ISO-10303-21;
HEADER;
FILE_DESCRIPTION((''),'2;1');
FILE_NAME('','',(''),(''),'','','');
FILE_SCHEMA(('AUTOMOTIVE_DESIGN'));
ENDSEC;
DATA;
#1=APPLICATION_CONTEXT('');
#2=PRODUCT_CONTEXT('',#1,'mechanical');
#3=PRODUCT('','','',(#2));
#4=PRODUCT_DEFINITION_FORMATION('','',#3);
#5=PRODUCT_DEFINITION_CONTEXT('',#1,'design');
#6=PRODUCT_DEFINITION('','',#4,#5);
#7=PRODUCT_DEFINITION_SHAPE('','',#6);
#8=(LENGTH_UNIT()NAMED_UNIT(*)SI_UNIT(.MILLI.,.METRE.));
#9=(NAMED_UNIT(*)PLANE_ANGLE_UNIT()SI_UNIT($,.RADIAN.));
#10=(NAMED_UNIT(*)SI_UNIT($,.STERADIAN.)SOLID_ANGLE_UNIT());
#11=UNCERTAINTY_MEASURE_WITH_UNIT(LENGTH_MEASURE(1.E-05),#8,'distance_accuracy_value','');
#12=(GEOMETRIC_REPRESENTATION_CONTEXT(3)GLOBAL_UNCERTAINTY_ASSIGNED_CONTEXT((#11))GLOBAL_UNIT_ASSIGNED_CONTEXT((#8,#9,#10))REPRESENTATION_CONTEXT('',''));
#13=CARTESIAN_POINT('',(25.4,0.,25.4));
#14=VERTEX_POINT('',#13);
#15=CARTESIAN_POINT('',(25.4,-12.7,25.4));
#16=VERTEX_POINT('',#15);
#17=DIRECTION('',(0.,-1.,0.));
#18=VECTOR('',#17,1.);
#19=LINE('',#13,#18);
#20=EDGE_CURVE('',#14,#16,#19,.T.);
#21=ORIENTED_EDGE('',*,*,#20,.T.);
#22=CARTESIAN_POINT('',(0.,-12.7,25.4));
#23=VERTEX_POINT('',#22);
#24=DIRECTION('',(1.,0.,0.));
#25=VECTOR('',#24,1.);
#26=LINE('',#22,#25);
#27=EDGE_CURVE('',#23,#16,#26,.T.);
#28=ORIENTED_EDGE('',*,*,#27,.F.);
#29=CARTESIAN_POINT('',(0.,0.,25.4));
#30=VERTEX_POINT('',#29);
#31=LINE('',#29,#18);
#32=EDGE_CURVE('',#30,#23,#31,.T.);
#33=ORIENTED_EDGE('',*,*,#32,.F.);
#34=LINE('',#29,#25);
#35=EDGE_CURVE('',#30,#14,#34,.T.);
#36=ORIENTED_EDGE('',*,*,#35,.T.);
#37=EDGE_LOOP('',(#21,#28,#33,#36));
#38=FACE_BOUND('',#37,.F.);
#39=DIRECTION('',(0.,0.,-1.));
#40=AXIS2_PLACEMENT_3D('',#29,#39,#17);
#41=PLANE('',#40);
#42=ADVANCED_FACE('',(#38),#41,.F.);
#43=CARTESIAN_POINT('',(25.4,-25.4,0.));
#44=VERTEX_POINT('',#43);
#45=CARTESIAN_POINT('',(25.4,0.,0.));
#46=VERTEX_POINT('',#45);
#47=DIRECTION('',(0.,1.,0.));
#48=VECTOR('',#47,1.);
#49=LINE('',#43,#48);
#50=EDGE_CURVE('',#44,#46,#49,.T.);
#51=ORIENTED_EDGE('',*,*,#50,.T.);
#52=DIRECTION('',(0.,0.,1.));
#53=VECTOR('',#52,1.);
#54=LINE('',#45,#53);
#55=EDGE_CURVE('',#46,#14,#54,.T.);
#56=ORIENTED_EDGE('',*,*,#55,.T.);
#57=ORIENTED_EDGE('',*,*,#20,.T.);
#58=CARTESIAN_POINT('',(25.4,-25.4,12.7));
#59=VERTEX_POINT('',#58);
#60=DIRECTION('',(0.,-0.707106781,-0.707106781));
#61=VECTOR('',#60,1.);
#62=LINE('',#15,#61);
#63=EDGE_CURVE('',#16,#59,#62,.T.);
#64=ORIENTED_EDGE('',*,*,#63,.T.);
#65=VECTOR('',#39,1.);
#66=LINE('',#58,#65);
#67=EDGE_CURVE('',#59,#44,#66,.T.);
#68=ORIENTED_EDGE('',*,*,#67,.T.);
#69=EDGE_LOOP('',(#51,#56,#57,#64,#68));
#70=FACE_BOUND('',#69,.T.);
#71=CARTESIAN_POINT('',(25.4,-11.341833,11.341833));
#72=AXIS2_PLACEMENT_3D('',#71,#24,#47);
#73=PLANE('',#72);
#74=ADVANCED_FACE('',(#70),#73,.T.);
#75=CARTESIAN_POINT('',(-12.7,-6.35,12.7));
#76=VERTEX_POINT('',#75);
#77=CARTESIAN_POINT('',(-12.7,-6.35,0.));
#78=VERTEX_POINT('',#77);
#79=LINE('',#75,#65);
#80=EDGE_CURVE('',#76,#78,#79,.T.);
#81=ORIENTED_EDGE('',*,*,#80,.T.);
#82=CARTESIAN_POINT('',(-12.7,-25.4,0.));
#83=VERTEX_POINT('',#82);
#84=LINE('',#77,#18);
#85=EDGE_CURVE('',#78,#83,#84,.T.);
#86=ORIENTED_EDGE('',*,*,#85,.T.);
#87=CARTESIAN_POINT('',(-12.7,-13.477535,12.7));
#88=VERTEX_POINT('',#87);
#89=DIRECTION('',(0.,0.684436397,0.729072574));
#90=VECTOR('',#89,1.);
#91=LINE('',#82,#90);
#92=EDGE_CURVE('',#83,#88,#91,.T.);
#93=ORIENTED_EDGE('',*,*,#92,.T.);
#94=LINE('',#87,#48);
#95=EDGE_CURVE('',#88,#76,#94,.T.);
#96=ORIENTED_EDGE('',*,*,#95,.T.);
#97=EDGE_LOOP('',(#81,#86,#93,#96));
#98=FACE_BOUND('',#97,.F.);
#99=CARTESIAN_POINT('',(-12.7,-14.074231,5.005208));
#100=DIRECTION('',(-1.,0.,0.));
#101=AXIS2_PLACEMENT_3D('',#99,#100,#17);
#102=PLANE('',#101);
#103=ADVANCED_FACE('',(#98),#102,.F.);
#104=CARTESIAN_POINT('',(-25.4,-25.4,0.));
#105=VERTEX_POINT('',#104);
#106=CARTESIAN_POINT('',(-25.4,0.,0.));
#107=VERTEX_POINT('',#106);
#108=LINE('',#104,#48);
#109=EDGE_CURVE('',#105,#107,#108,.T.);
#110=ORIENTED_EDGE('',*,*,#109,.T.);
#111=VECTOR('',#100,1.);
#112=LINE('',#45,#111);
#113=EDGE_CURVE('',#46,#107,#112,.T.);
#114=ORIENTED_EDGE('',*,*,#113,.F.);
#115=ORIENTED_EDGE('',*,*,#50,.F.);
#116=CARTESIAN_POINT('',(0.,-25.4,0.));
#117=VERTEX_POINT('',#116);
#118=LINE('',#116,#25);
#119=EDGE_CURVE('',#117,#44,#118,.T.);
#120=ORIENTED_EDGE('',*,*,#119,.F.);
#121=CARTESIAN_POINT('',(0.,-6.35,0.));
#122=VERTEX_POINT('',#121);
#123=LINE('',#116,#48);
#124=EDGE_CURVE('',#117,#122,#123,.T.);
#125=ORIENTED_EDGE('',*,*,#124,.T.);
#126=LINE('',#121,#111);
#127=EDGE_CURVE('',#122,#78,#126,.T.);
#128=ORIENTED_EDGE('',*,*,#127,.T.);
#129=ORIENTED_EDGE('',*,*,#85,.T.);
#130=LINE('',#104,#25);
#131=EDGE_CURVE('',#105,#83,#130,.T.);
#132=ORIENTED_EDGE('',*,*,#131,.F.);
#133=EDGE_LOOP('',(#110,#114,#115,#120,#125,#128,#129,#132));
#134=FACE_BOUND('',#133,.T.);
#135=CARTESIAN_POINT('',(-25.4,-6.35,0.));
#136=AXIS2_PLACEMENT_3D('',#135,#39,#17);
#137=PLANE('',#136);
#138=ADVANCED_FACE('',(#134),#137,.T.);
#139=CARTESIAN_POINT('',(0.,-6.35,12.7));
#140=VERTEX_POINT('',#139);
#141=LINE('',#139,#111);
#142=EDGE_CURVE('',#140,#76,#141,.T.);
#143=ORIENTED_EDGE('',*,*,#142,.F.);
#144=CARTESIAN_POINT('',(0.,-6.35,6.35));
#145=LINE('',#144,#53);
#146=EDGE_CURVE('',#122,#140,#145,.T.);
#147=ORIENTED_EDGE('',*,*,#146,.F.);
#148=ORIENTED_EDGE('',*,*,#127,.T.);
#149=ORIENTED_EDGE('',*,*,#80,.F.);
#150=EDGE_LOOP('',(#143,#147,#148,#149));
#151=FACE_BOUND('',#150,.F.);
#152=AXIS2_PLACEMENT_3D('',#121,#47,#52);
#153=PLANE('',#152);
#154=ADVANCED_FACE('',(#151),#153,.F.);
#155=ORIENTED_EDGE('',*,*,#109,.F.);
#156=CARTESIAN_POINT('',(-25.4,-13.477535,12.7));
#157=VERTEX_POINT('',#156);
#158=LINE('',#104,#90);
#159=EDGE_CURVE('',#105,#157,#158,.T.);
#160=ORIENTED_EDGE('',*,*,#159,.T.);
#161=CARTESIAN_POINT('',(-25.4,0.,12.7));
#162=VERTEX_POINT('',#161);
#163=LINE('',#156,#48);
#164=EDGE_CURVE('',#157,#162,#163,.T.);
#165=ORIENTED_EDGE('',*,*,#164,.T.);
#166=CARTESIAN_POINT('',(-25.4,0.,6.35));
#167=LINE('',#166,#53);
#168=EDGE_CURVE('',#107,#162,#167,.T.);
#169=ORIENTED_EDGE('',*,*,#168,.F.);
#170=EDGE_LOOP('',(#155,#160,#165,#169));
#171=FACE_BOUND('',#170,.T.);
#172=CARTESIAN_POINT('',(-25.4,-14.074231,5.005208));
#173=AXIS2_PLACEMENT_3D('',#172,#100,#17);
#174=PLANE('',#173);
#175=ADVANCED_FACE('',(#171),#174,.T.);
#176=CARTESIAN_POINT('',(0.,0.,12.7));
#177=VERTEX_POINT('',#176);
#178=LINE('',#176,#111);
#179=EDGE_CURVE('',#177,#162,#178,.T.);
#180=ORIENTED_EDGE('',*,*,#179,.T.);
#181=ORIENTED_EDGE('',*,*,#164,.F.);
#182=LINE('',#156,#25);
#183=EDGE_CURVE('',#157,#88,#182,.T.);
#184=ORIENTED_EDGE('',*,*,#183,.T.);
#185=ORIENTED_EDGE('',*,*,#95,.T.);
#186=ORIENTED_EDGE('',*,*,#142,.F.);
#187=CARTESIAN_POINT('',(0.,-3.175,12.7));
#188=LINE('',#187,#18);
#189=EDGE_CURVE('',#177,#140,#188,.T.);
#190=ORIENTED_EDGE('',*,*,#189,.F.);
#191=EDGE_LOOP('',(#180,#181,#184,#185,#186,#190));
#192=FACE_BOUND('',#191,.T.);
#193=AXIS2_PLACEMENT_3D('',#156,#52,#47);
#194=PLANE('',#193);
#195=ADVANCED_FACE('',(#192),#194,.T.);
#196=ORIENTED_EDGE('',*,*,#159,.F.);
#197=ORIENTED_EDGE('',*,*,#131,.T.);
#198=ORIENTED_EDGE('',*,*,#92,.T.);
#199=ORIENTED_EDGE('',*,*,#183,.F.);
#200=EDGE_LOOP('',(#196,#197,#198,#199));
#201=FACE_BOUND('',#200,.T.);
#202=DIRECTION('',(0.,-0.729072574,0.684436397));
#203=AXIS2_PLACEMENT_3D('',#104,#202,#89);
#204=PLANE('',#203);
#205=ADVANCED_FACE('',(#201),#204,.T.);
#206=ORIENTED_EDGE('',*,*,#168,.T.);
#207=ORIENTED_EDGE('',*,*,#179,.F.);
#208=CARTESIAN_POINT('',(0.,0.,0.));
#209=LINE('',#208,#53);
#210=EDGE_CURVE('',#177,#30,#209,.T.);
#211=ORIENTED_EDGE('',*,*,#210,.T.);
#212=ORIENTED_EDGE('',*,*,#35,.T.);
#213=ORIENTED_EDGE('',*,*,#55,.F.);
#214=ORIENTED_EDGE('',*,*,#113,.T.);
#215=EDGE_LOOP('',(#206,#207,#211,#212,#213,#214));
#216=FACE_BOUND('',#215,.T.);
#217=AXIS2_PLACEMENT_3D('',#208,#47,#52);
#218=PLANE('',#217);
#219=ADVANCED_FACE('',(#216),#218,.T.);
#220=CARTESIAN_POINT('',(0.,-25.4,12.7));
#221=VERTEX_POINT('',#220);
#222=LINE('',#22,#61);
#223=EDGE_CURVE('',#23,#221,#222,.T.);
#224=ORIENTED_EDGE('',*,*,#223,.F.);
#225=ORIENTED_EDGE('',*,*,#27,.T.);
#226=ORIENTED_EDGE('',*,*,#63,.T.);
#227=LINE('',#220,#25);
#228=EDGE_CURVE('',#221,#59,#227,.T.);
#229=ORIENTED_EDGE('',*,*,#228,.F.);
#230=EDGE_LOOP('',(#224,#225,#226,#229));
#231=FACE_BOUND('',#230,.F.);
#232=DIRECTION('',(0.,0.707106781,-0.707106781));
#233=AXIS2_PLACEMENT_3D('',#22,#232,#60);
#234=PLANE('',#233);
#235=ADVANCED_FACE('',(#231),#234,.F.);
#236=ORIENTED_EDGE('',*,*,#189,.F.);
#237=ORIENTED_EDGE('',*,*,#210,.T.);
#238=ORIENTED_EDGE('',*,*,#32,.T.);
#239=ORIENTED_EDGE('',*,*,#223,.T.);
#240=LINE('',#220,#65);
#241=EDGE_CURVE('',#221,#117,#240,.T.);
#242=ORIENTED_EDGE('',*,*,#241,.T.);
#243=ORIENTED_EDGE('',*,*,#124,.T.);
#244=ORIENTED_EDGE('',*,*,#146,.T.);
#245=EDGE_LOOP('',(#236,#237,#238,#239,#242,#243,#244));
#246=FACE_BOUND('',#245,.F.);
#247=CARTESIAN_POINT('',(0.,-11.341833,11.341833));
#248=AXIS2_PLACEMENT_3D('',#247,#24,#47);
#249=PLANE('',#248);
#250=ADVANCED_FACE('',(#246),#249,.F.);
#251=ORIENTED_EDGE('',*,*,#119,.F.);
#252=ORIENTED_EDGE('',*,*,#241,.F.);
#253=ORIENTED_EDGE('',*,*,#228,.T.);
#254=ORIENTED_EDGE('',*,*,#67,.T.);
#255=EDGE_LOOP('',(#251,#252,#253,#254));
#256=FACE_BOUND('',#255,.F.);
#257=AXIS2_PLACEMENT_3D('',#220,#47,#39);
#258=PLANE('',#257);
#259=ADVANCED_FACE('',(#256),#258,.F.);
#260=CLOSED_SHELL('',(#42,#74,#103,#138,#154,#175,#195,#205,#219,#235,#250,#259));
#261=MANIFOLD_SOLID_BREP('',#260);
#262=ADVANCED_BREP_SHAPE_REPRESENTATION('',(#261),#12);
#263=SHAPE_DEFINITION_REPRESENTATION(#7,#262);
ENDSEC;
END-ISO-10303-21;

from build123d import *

# Parameters (mm, degrees)
F1_DEPTH = 25.4
F2_W     = 6.35
F2_H     = 12.7
F3_DEPTH = 25.4
F5_DEPTH = 12.7


with BuildPart() as f1:
    # F0 (on Right) → F1 (new body)
    with BuildSketch(Plane.YZ):
        Polygon((-25.4, 0), (0, 0), (0, 25.4), (-12.7, 25.4), (-25.4, 12.7), align=None)
    extrude(amount=F1_DEPTH)

    # F2 (on face) → F3 (join)
    with BuildSketch(Plane(origin=(0, 0, 0), x_dir=(0, -1, 0), z_dir=(-1, 0, 0))):
        with Locations((3.175, 6.35)):
            Rectangle(F2_W, F2_H)
    extrude(amount=F3_DEPTH)

    # F4 (on face) → F5 (join)
    with BuildSketch(Plane(origin=(-25.4, 0, 0), x_dir=(0, -1, 0), z_dir=(-1, 0, 0))):
        Polygon((6.35, 0), (25.4, 0), (13.477535, 12.7), (6.35, 12.7), align=None)
    extrude(amount=-F5_DEPTH)


solid = f1.part
